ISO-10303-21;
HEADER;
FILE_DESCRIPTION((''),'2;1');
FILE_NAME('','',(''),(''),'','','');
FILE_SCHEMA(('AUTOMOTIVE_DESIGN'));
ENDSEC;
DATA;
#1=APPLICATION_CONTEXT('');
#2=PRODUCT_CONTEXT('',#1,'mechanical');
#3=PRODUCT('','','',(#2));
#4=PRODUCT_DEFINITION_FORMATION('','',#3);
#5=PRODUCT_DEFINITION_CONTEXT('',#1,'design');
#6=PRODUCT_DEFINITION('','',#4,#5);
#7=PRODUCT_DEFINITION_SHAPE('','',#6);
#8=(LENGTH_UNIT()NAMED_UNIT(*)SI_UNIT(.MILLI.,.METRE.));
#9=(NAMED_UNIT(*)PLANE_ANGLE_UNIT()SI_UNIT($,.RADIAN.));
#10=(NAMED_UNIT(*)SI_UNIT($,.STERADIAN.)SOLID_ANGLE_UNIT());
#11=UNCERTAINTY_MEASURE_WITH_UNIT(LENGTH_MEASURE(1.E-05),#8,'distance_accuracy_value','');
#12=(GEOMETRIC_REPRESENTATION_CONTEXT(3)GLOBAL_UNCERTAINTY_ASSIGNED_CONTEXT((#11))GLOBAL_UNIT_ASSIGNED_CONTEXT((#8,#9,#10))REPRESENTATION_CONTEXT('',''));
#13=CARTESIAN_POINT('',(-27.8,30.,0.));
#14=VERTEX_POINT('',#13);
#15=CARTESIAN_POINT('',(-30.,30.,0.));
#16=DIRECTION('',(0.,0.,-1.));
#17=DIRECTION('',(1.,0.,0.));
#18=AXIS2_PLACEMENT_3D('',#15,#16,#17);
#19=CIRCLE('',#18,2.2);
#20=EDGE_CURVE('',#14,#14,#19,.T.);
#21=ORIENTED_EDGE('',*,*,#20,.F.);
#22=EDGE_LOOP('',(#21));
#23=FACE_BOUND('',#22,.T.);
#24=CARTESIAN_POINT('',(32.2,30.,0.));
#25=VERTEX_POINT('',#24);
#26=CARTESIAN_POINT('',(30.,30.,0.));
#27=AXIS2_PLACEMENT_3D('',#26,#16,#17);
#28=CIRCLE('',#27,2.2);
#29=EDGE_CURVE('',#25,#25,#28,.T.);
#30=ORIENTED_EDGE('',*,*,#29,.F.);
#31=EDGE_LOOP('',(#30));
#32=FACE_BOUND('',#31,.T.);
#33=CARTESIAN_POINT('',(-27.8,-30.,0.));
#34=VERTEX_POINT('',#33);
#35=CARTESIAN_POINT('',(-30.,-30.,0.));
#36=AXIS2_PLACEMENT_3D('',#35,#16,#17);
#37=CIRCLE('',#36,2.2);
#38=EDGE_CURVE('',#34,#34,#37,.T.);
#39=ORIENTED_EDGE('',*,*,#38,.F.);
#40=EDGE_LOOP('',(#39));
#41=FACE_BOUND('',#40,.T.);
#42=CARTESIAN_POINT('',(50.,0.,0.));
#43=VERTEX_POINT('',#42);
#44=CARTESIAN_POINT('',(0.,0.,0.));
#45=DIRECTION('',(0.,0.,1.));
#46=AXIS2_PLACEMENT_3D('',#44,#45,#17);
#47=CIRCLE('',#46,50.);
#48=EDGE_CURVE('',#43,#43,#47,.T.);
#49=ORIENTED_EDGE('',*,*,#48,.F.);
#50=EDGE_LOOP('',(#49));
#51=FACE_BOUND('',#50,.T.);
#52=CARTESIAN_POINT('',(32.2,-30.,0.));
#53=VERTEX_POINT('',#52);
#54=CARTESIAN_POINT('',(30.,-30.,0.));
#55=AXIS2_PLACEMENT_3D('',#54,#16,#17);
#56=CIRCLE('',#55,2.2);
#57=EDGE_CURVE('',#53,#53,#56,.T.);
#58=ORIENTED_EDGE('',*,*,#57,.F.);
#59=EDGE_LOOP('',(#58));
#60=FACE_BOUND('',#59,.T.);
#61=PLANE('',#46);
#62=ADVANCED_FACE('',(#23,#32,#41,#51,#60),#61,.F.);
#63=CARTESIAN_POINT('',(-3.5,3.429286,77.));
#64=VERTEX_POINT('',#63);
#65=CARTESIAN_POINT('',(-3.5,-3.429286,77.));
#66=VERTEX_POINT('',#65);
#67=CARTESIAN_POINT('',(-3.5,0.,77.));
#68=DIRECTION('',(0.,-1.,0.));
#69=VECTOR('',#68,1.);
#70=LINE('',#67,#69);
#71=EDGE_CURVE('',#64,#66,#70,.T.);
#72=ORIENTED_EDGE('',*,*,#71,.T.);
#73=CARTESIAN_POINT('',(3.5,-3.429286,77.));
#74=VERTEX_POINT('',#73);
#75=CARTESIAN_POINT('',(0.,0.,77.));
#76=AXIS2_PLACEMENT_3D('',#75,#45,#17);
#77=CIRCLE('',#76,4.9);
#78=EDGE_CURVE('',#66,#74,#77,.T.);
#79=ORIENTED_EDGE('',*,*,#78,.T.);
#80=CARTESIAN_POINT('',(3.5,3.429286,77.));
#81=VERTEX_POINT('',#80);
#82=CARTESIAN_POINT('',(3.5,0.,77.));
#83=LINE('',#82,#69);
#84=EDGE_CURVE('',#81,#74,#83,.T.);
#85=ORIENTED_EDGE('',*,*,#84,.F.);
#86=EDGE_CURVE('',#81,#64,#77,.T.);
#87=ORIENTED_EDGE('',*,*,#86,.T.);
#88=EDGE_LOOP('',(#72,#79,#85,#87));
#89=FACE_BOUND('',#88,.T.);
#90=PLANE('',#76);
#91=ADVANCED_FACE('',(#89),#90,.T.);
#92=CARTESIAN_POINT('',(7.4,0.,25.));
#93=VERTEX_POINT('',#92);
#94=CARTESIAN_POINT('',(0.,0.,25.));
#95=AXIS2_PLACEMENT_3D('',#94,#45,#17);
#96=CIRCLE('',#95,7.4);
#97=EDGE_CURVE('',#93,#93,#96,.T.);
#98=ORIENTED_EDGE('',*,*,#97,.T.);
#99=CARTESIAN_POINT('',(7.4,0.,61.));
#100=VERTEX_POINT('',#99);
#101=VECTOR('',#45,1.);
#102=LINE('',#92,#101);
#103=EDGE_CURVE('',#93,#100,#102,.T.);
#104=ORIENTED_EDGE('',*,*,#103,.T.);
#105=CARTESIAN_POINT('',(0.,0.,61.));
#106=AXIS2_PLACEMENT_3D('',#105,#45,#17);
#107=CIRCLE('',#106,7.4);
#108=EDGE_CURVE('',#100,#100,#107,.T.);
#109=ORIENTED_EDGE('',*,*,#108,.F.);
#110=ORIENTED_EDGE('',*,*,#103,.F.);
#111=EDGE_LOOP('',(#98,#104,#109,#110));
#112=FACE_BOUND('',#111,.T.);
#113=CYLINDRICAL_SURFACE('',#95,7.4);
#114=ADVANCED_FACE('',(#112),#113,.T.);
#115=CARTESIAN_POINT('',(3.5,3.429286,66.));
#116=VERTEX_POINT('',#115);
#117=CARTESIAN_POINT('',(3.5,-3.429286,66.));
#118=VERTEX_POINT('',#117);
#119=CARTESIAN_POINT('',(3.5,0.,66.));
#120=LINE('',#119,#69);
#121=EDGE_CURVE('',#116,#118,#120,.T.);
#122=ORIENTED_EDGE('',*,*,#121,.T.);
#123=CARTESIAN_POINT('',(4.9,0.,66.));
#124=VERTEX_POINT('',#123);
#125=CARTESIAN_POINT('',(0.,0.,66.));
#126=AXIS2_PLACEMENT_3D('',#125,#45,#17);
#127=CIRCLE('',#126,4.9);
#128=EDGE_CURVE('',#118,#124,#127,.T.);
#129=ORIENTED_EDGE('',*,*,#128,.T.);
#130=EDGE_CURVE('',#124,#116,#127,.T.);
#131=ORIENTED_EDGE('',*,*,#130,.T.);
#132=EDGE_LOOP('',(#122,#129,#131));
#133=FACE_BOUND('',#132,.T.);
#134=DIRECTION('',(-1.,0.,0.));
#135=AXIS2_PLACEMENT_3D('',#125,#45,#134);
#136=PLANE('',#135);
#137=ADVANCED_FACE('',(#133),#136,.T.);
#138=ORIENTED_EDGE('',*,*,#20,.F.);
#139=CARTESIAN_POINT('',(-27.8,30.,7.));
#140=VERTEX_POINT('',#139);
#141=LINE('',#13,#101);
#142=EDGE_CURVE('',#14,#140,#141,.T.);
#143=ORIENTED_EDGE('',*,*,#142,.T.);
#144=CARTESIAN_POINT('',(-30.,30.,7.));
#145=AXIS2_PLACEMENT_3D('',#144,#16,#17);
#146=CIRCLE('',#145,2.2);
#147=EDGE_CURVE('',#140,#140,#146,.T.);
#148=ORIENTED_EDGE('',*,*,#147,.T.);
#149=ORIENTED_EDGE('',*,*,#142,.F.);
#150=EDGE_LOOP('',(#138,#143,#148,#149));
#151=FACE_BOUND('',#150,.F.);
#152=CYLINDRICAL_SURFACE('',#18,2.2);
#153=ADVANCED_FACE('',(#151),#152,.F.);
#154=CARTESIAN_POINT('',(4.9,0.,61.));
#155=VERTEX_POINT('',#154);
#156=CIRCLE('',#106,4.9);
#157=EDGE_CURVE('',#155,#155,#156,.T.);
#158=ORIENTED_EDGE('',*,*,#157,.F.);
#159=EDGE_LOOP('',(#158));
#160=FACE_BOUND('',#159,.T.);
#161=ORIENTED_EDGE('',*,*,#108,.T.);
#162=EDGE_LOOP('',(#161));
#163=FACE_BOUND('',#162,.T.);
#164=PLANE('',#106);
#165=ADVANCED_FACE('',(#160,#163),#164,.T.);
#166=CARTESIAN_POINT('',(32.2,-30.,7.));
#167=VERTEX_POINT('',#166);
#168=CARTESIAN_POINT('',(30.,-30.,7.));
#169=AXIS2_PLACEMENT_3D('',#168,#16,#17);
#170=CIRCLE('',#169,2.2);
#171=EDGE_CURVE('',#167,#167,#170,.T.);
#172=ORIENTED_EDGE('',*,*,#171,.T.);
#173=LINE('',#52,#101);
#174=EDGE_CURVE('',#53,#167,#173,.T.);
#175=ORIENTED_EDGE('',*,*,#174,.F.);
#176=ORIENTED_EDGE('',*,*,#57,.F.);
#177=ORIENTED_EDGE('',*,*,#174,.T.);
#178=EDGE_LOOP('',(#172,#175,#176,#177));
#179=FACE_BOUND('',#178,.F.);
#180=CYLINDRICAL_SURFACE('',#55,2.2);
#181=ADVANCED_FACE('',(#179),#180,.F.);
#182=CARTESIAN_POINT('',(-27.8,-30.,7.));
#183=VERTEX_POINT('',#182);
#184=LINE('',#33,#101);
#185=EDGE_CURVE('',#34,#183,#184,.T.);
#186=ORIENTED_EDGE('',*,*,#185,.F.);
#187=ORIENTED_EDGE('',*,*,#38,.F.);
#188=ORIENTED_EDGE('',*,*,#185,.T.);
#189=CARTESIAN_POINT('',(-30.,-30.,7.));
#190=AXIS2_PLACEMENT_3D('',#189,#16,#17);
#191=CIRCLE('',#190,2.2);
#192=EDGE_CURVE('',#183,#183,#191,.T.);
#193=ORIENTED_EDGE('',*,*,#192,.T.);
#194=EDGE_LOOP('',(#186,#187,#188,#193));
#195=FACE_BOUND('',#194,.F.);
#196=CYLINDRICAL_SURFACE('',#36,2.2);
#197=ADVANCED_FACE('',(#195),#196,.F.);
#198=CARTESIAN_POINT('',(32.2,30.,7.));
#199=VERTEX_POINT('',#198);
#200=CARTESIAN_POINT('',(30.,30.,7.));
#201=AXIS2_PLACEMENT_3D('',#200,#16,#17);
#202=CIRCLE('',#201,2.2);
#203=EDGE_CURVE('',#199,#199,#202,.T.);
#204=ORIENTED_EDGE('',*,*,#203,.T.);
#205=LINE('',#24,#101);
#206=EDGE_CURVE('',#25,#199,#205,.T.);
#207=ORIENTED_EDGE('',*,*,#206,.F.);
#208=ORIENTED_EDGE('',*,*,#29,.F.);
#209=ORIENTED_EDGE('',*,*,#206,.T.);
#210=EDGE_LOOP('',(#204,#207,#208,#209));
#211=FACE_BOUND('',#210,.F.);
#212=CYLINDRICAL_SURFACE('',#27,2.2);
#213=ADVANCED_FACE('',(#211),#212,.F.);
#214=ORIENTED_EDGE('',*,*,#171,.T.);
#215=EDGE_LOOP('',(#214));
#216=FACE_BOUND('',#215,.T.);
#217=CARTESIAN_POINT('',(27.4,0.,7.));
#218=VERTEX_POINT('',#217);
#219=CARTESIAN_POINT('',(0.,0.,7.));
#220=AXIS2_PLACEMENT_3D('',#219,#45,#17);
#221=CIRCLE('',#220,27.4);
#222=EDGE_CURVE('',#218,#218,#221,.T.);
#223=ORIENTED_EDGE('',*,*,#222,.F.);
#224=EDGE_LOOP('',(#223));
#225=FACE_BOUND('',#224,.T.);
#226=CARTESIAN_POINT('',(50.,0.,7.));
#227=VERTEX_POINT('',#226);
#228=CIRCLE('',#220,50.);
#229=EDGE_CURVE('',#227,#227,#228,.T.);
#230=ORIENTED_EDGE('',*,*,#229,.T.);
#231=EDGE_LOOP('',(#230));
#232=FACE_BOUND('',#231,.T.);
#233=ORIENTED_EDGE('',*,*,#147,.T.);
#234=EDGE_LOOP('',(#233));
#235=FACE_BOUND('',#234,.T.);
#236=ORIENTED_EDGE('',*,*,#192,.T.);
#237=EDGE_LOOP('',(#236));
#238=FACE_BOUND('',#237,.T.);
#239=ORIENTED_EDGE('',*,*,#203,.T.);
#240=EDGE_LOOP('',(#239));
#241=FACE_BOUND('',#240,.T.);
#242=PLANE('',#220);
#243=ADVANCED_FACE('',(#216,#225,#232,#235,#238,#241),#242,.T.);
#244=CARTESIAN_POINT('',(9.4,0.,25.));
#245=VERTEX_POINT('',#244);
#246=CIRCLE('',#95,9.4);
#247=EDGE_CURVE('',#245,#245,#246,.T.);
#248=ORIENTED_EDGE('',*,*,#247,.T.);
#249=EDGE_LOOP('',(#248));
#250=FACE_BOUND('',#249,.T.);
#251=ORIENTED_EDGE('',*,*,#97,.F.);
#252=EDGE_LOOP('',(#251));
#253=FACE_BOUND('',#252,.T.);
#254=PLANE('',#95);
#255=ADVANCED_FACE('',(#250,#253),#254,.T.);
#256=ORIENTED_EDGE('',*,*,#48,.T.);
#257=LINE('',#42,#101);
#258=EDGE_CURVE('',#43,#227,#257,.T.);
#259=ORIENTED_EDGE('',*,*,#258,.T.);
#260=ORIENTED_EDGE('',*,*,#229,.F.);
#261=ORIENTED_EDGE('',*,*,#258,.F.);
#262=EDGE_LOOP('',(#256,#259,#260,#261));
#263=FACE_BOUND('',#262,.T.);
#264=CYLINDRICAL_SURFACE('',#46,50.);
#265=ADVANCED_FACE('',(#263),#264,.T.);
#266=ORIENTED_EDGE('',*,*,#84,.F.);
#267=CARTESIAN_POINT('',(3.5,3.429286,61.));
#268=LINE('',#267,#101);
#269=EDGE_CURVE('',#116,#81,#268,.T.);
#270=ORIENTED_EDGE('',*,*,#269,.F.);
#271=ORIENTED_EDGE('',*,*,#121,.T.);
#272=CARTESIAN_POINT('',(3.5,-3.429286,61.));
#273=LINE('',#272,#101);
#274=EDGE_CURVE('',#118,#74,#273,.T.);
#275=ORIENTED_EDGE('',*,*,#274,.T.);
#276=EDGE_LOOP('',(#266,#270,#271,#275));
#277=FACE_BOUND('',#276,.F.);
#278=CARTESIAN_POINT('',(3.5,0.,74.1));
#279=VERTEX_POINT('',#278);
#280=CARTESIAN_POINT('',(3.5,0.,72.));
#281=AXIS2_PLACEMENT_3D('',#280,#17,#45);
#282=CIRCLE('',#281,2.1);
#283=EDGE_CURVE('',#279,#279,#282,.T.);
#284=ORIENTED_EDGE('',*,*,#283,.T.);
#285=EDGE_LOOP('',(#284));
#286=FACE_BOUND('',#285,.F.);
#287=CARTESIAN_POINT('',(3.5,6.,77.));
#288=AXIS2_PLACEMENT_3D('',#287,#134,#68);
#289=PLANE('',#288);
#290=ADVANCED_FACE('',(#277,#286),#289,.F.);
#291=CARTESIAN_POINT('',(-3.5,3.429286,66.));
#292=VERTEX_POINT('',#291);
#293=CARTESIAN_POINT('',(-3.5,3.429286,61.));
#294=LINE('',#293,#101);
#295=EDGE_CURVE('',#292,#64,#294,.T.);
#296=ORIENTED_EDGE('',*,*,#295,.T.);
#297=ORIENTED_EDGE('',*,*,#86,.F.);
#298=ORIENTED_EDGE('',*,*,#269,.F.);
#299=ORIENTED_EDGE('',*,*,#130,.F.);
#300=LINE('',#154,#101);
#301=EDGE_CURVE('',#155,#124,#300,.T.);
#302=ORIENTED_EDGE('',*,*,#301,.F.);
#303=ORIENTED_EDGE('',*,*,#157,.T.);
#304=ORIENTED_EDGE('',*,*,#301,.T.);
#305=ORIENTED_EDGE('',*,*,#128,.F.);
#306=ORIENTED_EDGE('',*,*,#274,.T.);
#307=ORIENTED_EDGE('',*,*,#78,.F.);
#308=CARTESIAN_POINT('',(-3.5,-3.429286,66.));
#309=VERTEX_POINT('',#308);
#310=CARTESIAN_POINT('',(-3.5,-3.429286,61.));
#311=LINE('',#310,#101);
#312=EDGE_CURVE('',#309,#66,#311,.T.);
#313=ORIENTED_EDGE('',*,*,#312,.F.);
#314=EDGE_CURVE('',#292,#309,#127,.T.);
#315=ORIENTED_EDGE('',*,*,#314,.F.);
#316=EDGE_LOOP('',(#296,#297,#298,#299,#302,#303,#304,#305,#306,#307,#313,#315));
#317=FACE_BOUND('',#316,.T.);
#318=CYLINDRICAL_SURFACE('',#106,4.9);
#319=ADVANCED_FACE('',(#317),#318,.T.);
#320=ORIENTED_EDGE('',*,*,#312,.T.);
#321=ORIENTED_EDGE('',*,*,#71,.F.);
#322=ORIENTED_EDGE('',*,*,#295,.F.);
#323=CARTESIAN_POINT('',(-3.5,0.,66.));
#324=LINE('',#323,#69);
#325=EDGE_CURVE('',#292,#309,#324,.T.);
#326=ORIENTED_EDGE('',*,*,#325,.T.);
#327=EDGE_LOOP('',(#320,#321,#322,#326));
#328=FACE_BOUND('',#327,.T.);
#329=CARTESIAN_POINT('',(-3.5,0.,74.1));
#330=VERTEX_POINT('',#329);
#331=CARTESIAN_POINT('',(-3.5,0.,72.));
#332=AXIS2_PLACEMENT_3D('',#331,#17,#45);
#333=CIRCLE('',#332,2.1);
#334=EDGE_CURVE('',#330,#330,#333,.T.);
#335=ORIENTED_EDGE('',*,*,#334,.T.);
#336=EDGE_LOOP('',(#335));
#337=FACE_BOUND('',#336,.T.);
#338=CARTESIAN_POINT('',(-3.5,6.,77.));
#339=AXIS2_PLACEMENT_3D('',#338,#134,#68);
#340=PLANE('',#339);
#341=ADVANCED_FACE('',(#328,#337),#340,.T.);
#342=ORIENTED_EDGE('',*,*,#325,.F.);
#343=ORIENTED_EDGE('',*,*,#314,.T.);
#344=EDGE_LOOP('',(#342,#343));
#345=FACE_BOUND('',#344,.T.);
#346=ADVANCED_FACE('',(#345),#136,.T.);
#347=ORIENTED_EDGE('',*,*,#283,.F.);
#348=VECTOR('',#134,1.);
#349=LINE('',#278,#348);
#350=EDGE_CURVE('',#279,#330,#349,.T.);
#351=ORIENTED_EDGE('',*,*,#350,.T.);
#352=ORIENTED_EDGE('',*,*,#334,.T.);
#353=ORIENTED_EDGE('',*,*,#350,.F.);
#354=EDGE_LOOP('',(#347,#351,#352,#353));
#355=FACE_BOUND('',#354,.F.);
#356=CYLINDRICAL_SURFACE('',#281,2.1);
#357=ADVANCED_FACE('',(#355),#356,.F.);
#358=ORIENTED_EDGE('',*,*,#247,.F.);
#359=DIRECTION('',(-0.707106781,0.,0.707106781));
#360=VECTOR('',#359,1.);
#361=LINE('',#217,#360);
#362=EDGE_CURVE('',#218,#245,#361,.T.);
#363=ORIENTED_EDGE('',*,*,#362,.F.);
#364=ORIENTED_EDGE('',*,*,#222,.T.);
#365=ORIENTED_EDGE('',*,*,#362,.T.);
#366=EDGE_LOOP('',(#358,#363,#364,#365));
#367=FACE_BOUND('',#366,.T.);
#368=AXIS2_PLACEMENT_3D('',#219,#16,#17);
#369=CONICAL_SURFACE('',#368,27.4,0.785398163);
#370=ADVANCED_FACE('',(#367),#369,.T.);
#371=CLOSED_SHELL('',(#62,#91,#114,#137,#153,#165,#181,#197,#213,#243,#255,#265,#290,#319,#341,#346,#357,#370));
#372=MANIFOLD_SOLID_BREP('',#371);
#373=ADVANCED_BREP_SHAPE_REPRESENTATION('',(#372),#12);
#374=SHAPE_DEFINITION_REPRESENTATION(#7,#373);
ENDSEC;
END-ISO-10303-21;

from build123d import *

# Parameters (mm, degrees)
SKETCH001_W     = 13.272844
SKETCH001_H     = 19.997346
SKETCH001_W_2   = 7
SKETCH001_H_2   = 12
POCKET_DEPTH    = 11
SKETCH002_R     = 2.1
POCKET001_DEPTH = 53.501
SKETCH003_R     = 2.2
POCKET002_DEPTH = 77.001


with BuildPart() as part:
    # Sketch → Revolution (revolve)
    with BuildSketch(Plane.XZ):
        Polygon((0, 0), (50, 0), (50, 7), (27.4, 7), (9.4, 25), (7.4, 25), (7.4, 61), (4.9, 61), (4.9, 77), (0, 77), align=None)
    revolve(axis=Axis((0, 0, 0), (0, 0, 1)))

    # Sketch001 (on DatumPlane) → Pocket (cut)
    with BuildSketch(Plane(origin=(0, 0, 77), x_dir=(-1, 0, 0), z_dir=(0, 0, 1))):
        Rectangle(SKETCH001_W, SKETCH001_H)
        Rectangle(SKETCH001_W_2, SKETCH001_H_2, mode=Mode.SUBTRACT)
    extrude(amount=-POCKET_DEPTH, mode=Mode.SUBTRACT)

    # Sketch002 (on DatumPlane) → Pocket001 (cut, through all)
    with BuildSketch(Plane(origin=(3.5, 0, 0), x_dir=(0, 0, 1), z_dir=(1, 0, 0))):
        with Locations((72, 0)):
            Circle(SKETCH002_R)
    extrude(amount=-POCKET001_DEPTH, mode=Mode.SUBTRACT)

    # Sketch003 (on DatumPlane) → Pocket002 (cut, through all)
    with BuildSketch(Plane(origin=(0, 0, 0), x_dir=(1, 0, 0), z_dir=(0, 0, -1))):
        with Locations((30, 30)):
            Circle(SKETCH003_R)
        with Locations((-30, 30)):
            Circle(SKETCH003_R)
        with Locations((-30, -30)):
            Circle(SKETCH003_R)
        with Locations((30, -30)):
            Circle(SKETCH003_R)
    extrude(amount=-POCKET002_DEPTH, mode=Mode.SUBTRACT)


solid = part.part
